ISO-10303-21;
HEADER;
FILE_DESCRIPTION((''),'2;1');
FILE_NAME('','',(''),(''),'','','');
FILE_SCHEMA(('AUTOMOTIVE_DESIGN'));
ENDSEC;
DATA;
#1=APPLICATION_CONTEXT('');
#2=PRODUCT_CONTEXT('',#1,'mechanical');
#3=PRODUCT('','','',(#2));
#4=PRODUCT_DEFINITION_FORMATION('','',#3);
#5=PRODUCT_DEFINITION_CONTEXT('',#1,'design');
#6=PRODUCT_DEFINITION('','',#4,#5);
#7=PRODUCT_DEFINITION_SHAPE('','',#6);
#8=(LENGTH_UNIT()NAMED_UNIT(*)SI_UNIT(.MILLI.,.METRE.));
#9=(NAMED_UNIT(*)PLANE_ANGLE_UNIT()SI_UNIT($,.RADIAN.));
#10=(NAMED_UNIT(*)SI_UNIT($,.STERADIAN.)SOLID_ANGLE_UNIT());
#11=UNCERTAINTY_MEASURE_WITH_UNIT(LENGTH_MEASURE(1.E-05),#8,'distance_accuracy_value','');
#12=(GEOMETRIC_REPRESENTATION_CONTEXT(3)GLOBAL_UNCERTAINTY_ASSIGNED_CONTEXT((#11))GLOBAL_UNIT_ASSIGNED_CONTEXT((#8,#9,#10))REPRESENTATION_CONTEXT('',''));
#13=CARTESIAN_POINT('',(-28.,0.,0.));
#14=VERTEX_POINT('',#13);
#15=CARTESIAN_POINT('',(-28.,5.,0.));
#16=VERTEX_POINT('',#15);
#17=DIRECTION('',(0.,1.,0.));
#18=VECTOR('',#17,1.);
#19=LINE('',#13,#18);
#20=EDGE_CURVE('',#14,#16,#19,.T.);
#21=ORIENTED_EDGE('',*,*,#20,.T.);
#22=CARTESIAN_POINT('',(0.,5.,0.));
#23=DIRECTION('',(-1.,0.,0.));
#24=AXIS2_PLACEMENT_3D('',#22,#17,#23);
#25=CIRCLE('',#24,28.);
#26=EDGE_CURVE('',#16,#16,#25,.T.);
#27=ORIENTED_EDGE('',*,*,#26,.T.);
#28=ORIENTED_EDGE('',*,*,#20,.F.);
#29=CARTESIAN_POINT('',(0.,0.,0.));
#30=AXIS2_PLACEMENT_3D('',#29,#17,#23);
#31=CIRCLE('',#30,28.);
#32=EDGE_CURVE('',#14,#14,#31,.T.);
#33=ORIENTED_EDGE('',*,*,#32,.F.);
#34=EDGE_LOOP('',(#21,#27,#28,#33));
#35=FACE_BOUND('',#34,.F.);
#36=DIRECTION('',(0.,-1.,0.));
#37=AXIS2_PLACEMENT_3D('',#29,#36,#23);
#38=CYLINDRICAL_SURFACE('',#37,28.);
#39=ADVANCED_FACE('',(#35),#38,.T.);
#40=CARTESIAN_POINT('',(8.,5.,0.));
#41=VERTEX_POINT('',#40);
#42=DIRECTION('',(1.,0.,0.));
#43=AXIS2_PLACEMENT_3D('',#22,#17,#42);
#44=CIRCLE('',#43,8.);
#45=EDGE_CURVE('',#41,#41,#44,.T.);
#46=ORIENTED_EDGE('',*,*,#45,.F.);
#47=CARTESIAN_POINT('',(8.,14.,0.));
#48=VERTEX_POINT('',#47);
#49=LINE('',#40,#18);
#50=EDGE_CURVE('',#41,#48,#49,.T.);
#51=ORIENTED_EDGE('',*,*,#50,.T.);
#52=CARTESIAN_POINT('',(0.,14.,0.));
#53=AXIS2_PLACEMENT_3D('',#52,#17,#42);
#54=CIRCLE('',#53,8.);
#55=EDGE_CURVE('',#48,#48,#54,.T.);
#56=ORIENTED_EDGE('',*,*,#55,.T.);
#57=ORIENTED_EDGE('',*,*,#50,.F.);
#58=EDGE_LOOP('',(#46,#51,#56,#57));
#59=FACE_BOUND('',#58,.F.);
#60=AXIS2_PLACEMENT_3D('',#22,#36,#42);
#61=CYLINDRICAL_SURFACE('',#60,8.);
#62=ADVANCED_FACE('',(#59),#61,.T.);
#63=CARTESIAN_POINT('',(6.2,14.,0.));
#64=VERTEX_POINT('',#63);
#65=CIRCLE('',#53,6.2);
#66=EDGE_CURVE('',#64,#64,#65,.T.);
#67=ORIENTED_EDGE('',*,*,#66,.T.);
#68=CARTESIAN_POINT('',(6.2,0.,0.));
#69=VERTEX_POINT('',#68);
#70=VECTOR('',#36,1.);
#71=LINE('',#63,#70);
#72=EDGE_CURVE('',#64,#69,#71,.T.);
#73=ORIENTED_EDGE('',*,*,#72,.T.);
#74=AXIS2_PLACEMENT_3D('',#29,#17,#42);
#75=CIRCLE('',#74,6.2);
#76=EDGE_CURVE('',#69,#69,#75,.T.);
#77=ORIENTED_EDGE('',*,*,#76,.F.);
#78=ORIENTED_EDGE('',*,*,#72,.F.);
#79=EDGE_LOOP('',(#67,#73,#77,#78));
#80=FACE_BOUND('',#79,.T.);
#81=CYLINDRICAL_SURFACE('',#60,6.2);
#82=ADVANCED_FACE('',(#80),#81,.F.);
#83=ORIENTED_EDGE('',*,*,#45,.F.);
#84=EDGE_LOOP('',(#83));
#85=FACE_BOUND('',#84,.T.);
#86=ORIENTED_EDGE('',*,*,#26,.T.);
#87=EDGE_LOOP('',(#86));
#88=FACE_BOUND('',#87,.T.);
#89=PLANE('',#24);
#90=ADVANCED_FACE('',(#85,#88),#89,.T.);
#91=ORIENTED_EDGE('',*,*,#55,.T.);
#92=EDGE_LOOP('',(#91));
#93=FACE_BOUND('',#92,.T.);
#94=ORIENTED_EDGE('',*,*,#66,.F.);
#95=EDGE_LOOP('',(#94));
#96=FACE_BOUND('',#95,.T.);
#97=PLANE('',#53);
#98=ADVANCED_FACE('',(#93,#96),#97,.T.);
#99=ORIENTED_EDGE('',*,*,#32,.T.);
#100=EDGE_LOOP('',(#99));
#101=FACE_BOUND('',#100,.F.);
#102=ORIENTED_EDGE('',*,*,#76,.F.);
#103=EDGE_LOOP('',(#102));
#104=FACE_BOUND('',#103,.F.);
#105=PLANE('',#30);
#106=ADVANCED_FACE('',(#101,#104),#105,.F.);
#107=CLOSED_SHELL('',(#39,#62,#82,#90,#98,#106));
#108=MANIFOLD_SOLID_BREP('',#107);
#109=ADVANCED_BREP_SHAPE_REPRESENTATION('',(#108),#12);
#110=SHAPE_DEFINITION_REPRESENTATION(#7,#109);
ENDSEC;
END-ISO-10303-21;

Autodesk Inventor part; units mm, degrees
ref_plane "YZ Plane" through (0, 0, 0) normal (1, 0, 0) x (0, 1, 0)
ref_plane "XZ Plane" through (0, 0, 0) normal (0, 1, 0) x (-1, 0, 0)
ref_plane "XY Plane" through (0, 0, 0) normal (0, 0, 1) x (1, 0, 0)
sketch "スケッチ1" plane through (0, 0, 0) normal (0, 1, 0) x (-1, 0, 0)
  circle A0 centre (0, 0) radius 29.5
  circle A1 centre (0, 0) radius 28
  dimension "d0" = 59
  dimension "d10" = 56
extrude "押し出し1" add sketch "スケッチ1" along normal blind 5 contours A1
sketch "スケッチ2" plane through (0, 5, 0) normal (0, 1, 0) x (1, 0, 0)
  circle A0 centre (0, 0) radius 6.2
  circle A1 centre (0, 0) radius 8
  dimension "d3" = 16
  dimension "d9" = 12.4
extrude "押し出し2" cut sketch "スケッチ2" against normal blind 5 contours A0
extrude "押し出し3" add sketch "スケッチ2" along normal blind 9
properties part number "maingear"
